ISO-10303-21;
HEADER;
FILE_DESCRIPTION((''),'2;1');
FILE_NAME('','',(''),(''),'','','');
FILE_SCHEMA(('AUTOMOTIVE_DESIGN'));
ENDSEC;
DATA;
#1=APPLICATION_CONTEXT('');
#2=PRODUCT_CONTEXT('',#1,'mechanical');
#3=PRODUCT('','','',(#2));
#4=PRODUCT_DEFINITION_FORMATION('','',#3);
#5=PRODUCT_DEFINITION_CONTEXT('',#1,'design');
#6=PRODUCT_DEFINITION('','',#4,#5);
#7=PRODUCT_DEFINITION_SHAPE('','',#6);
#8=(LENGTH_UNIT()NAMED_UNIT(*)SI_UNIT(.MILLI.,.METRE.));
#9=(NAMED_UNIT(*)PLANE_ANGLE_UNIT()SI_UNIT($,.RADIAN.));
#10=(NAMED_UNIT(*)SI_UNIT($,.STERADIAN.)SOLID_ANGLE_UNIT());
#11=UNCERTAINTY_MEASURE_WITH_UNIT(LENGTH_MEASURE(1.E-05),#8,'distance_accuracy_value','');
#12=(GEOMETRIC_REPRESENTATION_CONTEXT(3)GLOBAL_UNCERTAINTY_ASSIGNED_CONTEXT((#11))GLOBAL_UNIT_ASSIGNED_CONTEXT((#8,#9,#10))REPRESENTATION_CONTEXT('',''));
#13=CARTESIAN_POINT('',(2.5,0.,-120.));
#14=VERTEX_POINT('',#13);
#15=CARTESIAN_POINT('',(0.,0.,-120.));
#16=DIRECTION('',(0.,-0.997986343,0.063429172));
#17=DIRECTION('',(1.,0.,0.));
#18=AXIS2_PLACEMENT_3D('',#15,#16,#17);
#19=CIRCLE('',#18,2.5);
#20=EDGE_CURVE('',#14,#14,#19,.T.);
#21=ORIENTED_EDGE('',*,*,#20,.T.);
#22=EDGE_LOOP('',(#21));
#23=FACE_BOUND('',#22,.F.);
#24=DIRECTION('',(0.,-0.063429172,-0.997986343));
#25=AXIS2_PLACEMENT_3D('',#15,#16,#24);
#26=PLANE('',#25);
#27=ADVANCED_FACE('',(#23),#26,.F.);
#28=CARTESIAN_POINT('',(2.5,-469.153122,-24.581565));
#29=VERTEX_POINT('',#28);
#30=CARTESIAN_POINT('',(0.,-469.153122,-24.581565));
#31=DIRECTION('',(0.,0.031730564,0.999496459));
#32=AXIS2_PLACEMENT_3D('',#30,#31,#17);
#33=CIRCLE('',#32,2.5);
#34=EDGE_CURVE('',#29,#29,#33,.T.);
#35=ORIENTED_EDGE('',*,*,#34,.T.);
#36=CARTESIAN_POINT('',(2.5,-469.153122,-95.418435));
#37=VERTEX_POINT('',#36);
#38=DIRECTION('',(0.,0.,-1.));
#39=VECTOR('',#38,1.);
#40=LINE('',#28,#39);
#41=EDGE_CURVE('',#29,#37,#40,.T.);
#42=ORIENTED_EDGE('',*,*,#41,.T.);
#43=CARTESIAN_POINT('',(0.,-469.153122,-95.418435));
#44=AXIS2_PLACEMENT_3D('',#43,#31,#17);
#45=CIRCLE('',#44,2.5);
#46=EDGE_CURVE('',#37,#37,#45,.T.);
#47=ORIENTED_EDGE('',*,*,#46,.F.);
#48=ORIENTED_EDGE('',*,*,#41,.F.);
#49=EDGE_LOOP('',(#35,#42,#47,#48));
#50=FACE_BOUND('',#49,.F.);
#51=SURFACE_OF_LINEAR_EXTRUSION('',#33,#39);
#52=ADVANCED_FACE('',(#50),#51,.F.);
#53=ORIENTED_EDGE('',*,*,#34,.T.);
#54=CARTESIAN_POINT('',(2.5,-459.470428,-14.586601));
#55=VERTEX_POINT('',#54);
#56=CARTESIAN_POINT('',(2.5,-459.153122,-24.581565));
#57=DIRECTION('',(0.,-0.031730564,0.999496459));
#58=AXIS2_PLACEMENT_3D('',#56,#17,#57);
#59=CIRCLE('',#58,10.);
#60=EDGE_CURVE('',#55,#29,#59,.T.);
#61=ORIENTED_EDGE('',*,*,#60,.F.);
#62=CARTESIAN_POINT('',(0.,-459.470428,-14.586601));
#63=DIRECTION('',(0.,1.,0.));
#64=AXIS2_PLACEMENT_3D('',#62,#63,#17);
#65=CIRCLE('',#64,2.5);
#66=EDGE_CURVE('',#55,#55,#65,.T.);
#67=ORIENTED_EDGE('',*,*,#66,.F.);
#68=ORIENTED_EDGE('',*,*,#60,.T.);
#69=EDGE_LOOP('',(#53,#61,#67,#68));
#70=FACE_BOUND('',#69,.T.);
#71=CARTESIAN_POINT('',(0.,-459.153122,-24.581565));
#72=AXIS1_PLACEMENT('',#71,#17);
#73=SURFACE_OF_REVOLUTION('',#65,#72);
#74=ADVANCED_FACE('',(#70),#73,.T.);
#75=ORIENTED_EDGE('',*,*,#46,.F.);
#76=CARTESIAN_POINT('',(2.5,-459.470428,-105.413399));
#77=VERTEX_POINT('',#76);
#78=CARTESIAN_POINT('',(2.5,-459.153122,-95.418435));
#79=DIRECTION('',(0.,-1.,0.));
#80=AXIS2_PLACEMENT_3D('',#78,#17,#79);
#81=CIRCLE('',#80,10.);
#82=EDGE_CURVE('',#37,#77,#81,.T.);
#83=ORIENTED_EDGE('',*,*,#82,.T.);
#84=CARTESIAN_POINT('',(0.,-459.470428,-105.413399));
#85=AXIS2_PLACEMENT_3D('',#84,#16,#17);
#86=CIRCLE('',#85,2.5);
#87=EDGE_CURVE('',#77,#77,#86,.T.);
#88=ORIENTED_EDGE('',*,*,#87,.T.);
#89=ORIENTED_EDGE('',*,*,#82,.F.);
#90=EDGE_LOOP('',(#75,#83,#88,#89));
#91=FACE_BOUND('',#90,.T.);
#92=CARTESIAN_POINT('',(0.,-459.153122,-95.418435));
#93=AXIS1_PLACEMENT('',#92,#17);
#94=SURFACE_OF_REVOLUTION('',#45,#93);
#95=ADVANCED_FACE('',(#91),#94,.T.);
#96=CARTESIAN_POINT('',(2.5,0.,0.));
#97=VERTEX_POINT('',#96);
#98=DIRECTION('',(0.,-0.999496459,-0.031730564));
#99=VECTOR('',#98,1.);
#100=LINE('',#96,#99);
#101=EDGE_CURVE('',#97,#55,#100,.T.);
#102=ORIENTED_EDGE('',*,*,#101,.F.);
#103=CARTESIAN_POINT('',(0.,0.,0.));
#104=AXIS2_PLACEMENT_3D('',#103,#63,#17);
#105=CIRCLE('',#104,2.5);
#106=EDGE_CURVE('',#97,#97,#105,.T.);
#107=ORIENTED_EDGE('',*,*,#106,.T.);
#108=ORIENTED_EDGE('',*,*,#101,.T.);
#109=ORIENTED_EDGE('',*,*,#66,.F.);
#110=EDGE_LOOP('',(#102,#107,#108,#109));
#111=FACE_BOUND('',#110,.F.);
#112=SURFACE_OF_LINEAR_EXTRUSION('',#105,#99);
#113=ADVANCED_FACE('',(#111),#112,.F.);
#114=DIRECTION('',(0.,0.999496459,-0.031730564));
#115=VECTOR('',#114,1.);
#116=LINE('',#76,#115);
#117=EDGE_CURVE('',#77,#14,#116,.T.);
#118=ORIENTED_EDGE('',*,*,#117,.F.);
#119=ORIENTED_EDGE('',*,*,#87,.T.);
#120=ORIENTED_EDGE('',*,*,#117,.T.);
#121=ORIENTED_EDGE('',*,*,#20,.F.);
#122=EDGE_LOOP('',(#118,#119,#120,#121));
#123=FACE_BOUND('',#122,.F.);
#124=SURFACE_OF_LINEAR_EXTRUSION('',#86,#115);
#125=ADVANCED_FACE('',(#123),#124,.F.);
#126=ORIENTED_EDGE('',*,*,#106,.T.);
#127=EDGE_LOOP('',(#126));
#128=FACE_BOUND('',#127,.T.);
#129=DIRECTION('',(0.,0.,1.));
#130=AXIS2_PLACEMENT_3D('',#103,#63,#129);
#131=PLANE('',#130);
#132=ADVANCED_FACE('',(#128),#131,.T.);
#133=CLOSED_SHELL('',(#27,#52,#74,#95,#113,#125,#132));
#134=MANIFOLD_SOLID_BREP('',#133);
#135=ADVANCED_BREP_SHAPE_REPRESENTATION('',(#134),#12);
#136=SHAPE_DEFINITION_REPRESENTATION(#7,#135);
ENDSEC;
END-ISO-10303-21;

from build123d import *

# Parameters (mm, degrees)
SKETCH1_R = 2.5


with BuildPart() as part:
    # Sweep3: sweep along a path in Sketch2
    with BuildLine(Plane(origin=(0, 0, 0), x_dir=(0, 0, -1), z_dir=(1, 0, 0))) as sweep3_path:
        Line((0, 0), (14.586600746, -459.470427927))
        ThreePointArc((14.586600746, -459.470427927), (17.623586332, -466.33549851), (24.581565334, -469.153122287))
        Line((24.581565334, -469.153122287), (95.418434666, -469.153122287))
        ThreePointArc((95.418434666, -469.153122287), (102.376413668, -466.33549851), (105.413399254, -459.470427927))
        Line((105.413399254, -459.470427927), (120, 0))
    # Sketch1 → Sweep3 (sweep)
    with BuildSketch(Plane(origin=(0, 0, 0), x_dir=(1, 0, 0), z_dir=(0, 1, 0))):
        Circle(SKETCH1_R)
    sweep(path=sweep3_path.line)


solid = part.part
